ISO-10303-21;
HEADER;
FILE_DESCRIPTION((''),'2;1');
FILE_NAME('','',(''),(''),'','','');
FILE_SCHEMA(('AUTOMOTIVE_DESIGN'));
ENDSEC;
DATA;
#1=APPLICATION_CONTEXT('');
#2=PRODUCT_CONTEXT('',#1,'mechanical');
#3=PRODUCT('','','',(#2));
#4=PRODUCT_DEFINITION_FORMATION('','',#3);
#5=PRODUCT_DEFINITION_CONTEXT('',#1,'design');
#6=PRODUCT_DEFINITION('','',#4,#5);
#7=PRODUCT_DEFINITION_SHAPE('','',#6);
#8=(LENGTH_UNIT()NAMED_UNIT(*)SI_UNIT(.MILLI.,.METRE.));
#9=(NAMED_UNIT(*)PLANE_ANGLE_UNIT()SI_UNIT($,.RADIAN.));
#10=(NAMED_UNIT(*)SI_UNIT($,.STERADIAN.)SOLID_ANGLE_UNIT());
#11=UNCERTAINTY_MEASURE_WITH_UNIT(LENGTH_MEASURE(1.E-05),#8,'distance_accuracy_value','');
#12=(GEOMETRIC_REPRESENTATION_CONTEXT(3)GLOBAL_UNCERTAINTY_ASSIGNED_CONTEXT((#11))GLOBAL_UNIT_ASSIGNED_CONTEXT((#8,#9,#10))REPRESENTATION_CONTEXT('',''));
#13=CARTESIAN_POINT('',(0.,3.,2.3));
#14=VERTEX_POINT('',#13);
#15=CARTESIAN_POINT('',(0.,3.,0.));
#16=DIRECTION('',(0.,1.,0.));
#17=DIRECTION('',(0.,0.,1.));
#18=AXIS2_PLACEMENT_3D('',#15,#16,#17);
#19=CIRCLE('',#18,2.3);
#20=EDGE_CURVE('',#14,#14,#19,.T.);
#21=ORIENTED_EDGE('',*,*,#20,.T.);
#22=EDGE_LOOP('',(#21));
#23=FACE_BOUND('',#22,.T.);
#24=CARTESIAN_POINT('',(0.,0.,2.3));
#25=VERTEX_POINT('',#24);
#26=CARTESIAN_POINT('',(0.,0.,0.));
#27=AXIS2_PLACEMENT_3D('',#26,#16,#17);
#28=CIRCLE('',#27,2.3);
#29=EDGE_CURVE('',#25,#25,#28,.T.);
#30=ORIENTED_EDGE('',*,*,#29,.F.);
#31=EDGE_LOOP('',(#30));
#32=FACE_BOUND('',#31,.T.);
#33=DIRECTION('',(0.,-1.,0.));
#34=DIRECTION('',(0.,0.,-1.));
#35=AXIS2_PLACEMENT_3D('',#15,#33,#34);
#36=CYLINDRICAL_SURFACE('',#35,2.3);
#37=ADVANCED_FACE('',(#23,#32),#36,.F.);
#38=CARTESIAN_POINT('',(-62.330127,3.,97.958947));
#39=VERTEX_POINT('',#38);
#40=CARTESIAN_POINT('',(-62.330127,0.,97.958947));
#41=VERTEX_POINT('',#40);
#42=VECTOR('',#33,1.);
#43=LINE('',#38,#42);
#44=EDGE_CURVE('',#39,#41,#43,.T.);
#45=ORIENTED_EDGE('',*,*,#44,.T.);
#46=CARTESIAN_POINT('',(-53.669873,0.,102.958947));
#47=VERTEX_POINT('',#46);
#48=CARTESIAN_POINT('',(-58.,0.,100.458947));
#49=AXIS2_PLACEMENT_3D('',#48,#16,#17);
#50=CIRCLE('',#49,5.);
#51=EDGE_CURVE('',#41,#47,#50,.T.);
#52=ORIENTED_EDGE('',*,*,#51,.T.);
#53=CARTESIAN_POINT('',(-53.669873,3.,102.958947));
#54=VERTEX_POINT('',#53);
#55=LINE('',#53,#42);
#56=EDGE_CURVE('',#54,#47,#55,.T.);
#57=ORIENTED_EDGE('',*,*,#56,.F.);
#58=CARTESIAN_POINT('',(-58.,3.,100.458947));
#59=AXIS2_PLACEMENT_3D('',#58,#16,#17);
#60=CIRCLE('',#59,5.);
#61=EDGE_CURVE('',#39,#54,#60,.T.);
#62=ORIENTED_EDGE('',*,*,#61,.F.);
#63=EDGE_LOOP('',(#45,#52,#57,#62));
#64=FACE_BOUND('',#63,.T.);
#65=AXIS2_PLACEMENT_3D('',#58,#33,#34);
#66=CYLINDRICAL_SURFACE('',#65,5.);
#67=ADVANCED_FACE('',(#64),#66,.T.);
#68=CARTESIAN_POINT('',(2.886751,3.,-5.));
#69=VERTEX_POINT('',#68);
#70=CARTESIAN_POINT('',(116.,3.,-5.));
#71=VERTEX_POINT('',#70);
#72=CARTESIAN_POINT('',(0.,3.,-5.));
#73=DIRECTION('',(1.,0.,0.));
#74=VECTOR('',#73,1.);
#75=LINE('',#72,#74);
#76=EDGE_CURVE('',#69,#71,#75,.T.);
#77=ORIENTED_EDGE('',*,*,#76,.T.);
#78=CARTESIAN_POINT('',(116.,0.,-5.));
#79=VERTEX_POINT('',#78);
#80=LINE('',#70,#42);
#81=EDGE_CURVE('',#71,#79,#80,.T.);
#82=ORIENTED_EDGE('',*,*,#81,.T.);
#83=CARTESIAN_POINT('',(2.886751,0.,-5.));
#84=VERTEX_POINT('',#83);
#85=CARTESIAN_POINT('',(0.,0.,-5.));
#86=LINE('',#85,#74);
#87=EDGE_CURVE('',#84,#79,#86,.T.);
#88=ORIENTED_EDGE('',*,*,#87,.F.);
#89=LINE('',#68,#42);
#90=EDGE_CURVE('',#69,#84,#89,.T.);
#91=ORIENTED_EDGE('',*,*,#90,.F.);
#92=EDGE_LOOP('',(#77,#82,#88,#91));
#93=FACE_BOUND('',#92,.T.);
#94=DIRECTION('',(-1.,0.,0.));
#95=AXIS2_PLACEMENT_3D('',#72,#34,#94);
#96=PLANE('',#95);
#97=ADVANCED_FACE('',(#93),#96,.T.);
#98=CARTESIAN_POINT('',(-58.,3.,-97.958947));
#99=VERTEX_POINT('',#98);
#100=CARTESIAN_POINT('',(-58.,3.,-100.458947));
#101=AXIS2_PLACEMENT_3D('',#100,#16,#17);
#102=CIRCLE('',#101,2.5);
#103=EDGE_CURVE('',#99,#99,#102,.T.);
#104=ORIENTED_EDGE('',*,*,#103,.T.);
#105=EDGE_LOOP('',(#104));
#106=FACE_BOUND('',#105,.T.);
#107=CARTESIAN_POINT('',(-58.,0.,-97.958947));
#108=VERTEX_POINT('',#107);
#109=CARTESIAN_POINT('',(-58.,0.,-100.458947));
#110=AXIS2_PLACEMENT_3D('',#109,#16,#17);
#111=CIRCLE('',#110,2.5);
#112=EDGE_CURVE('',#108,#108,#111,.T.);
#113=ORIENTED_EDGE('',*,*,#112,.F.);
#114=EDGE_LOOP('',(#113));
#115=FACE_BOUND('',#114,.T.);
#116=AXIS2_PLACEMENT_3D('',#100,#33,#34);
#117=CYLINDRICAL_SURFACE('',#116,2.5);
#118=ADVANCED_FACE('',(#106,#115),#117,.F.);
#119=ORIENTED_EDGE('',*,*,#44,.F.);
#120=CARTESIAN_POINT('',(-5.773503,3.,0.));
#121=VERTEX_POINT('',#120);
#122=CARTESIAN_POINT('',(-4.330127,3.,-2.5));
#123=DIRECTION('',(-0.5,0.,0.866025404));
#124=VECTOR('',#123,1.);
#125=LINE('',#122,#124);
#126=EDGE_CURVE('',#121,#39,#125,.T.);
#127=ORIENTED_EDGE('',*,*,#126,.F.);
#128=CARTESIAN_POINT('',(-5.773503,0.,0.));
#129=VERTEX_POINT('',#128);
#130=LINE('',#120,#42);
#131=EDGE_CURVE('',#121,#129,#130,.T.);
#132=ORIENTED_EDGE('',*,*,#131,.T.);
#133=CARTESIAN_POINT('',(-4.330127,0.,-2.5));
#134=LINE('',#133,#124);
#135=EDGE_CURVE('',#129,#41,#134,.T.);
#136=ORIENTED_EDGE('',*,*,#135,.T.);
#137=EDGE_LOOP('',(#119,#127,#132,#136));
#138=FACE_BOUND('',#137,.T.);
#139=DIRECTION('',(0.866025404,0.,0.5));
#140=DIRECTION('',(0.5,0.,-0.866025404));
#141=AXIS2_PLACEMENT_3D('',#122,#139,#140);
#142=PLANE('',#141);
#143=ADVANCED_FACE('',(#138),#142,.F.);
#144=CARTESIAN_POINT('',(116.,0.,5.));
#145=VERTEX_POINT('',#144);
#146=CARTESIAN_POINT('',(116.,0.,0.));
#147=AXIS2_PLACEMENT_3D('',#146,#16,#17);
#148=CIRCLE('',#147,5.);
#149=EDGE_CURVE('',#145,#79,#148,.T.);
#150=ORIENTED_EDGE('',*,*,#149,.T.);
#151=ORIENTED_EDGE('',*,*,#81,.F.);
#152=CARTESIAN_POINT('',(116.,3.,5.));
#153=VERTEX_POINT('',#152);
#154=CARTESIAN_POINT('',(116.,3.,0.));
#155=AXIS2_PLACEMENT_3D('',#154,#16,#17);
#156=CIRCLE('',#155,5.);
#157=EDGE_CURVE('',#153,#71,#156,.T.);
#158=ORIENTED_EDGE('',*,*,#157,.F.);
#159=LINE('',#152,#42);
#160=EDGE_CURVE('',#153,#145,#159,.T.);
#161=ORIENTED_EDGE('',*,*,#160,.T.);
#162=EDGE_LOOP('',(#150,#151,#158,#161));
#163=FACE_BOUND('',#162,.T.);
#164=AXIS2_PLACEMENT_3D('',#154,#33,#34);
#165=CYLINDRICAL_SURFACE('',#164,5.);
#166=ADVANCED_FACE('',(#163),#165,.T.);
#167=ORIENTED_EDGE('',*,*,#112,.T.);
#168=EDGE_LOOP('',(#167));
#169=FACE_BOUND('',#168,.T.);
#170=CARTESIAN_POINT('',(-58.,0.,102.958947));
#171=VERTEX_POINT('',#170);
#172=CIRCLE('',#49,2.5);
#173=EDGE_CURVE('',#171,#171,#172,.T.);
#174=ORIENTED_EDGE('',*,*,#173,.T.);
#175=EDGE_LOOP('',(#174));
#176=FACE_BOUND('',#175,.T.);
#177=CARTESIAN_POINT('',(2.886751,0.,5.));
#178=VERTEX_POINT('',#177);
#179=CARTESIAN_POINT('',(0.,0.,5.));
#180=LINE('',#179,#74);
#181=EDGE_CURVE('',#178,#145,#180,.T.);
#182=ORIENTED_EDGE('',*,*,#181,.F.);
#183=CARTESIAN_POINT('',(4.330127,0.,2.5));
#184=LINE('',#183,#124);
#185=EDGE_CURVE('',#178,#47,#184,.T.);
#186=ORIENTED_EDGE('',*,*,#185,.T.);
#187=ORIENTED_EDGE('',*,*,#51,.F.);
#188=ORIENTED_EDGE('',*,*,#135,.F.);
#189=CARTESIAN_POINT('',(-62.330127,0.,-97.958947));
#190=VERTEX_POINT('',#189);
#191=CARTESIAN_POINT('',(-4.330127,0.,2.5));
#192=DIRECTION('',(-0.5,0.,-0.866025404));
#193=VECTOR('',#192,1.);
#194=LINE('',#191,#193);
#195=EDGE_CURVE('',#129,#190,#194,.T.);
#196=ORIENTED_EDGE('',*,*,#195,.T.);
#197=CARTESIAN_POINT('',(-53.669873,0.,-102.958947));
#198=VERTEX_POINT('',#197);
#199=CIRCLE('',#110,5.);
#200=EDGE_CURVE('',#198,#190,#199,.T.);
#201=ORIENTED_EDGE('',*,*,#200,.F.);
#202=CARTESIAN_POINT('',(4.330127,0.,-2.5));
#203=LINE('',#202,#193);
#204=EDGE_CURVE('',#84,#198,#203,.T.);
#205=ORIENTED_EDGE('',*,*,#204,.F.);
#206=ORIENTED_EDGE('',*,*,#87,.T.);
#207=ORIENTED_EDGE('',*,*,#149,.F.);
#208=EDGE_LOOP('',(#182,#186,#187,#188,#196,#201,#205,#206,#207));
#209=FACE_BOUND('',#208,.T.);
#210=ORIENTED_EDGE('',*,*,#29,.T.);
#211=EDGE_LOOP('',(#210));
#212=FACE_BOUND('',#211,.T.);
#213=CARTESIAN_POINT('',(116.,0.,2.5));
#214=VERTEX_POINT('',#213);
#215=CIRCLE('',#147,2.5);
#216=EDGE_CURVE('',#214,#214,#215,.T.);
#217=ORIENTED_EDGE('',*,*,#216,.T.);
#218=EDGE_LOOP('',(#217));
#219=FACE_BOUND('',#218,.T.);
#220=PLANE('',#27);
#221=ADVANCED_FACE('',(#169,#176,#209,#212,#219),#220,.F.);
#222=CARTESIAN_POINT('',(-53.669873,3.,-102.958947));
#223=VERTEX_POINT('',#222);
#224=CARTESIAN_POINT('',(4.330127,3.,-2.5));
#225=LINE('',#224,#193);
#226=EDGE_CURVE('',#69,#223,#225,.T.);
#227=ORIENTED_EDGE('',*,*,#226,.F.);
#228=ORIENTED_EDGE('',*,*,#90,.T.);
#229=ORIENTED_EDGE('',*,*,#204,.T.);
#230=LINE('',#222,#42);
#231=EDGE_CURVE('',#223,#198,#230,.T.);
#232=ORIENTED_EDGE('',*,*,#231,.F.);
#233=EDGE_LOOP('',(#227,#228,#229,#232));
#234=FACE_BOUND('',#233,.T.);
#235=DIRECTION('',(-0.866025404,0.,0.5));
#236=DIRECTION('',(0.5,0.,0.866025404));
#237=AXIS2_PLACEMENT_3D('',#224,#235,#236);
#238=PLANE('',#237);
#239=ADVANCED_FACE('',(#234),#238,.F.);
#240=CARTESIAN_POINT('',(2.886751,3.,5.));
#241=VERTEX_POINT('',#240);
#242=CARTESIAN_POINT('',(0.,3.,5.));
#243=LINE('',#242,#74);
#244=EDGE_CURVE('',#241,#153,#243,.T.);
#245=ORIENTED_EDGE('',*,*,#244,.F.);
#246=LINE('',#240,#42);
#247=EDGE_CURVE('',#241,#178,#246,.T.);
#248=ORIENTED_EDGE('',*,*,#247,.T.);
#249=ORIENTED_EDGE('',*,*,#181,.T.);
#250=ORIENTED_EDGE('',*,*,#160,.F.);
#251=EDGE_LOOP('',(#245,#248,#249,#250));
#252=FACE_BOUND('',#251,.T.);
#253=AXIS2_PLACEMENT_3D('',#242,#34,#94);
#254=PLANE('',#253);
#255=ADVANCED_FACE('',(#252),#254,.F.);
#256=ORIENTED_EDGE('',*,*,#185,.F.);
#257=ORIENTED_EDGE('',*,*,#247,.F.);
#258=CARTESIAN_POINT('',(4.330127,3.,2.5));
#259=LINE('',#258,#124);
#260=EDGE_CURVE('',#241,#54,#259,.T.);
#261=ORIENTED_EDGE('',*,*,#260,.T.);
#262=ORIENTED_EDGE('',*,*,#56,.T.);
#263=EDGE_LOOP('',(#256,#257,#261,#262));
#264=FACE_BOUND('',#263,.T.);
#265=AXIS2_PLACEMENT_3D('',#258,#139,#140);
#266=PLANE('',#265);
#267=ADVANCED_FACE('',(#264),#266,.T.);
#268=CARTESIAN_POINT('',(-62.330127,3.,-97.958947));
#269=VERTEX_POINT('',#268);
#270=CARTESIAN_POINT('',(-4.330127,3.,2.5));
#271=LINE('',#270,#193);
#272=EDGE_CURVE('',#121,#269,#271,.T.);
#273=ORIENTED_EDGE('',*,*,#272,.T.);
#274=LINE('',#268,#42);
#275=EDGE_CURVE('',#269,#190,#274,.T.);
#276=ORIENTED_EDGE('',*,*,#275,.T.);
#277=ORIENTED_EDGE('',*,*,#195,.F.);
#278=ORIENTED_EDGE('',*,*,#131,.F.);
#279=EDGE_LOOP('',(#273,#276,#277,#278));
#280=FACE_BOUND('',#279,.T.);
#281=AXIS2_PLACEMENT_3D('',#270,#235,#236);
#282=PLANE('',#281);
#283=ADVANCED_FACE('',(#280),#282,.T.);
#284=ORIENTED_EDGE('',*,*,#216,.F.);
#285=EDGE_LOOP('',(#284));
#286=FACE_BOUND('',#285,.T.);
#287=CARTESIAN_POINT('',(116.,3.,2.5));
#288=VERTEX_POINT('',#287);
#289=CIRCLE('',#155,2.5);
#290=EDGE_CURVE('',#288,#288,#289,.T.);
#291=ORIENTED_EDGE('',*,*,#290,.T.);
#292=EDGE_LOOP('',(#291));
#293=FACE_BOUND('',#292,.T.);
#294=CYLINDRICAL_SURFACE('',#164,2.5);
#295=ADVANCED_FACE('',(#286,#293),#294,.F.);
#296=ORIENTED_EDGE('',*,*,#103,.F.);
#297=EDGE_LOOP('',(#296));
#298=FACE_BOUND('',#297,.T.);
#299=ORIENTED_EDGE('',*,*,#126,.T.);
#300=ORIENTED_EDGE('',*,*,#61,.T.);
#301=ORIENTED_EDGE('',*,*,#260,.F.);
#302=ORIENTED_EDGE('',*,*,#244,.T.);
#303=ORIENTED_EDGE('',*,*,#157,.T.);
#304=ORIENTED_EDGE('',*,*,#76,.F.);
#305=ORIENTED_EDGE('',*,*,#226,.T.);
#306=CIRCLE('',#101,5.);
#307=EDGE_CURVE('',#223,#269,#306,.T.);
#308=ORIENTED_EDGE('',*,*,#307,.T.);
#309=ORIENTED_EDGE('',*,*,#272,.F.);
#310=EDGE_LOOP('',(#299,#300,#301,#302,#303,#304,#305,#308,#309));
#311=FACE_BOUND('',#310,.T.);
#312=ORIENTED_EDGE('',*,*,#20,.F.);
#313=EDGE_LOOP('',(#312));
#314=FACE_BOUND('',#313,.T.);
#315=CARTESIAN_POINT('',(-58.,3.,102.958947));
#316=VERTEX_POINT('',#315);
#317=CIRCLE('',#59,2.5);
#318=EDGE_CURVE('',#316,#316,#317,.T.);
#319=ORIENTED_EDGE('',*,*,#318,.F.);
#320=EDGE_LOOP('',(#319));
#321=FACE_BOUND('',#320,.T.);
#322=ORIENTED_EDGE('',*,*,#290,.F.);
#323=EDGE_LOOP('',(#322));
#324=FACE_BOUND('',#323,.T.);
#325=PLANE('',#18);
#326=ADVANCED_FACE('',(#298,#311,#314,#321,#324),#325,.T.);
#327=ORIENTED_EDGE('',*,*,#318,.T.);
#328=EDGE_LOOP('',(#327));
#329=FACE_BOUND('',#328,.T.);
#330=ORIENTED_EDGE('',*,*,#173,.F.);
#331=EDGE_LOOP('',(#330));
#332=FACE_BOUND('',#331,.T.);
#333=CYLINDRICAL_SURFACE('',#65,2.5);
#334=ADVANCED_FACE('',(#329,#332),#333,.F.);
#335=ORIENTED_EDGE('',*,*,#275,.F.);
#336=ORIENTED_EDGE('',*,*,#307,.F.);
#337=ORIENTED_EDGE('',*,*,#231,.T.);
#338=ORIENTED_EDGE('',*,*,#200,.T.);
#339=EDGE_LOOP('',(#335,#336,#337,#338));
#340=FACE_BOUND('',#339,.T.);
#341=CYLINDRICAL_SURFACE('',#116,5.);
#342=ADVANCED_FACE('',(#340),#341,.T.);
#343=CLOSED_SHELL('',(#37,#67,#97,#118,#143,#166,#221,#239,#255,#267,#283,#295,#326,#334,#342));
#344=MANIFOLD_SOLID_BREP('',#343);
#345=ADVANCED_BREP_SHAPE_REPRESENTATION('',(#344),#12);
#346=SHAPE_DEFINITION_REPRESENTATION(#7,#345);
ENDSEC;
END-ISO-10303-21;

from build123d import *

# Parameters (mm, degrees)
SKETCH8_R           = 2.5
SKETCH8_R_2         = 2.3
BOSS_EXTRUDE5_DEPTH = 3


with BuildPart() as part:
    # Sketch8 → Boss-Extrude5 (new body)
    # profile 1 of 7: a face of its own
    with BuildSketch(Plane(origin=(0, 0, 0), x_dir=(1, 0, 0), z_dir=(0, 1, 0))):
        with BuildLine():
            ThreePointArc((-4.330127019, 2.5), (-2.5, 4.330127019), (0, 5))
            Line((0, 5), (2.886751346, 5))
            Line((2.886751346, 5), (-53.669872981, 102.958946839))
            ThreePointArc((-53.669872981, 102.958946839), (-60.5, 104.789073858), (-62.330127019, 97.958946839))
            Line((-62.330127019, 97.958946839), (-5.773502692, 0))
            Line((-5.773502692, 0), (-4.330127019, 2.5))
        make_face()
        with Locations(Location((-58, 100.458946839, 0), (0, 0, 270))):
            Circle(SKETCH8_R, mode=Mode.SUBTRACT)
    # profile 2 of 7: a face of its own
    with BuildSketch(Plane(origin=(0, 0, 0), x_dir=(1, 0, 0), z_dir=(0, 1, 0))):
        with BuildLine():
            Line((116, 5), (2.886751346, 5))
            Line((2.886751346, 5), (4.330127019, 2.5))
            ThreePointArc((4.330127019, 2.5), (5, 0), (4.330127019, -2.5))
            Line((4.330127019, -2.5), (2.886751346, -5))
            Line((2.886751346, -5), (116, -5))
            ThreePointArc((116, -5), (121, 0), (116, 5))
        make_face()
        with Locations(Location((116, 0, 0), (0, 0, 270))):
            Circle(SKETCH8_R, mode=Mode.SUBTRACT)
    # profile 3 of 7: a face of its own
    with BuildSketch(Plane(origin=(0, 0, 0), x_dir=(1, 0, 0), z_dir=(0, 1, 0))):
        with BuildLine():
            Line((-4.330127019, -2.5), (-5.773502692, 0))
            Line((-5.773502692, 0), (-62.330127019, -97.958946839))
            ThreePointArc((-62.330127019, -97.958946839), (-60.5, -104.789073858), (-53.669872981, -102.958946839))
            Line((-53.669872981, -102.958946839), (2.886751346, -5))
            Line((2.886751346, -5), (0, -5))
            ThreePointArc((0, -5), (-2.5, -4.330127019), (-4.330127019, -2.5))
        make_face()
        with Locations(Location((-58, -100.458946839, 0), (0, 0, 270))):
            Circle(SKETCH8_R, mode=Mode.SUBTRACT)
    # profile 4 of 7: a face of its own
    with BuildSketch(Plane(origin=(0, 0, 0), x_dir=(1, 0, 0), z_dir=(0, 1, 0))):
        with BuildLine():
            ThreePointArc((4.330127019, 2.5), (2.5, 4.330127019), (0, 5))
            ThreePointArc((0, 5), (-2.5, 4.330127019), (-4.330127019, 2.5))
            ThreePointArc((-4.330127019, 2.5), (-5, 0), (-4.330127019, -2.5))
            ThreePointArc((-4.330127019, -2.5), (-2.5, -4.330127019), (0, -5))
            ThreePointArc((0, -5), (2.5, -4.330127019), (4.330127019, -2.5))
            ThreePointArc((4.330127019, -2.5), (5, 0), (4.330127019, 2.5))
        make_face()
        with Locations(Location((0, 0, 0), (0, 0, 270))):
            Circle(SKETCH8_R_2, mode=Mode.SUBTRACT)
    # profile 5 of 7: a face of its own
    with BuildSketch(Plane(origin=(0, 0, 0), x_dir=(1, 0, 0), z_dir=(0, 1, 0))):
        with BuildLine():
            Line((2.886751346, 5), (0, 5))
            ThreePointArc((0, 5), (2.5, 4.330127019), (4.330127019, 2.5))
            Line((4.330127019, 2.5), (2.886751346, 5))
        make_face()
    # profile 6 of 7: a face of its own
    with BuildSketch(Plane(origin=(0, 0, 0), x_dir=(1, 0, 0), z_dir=(0, 1, 0))):
        with BuildLine():
            ThreePointArc((-4.330127019, -2.5), (-5, 0), (-4.330127019, 2.5))
            Line((-4.330127019, 2.5), (-5.773502692, 0))
            Line((-5.773502692, 0), (-4.330127019, -2.5))
        make_face()
    # profile 7 of 7: a face of its own
    with BuildSketch(Plane(origin=(0, 0, 0), x_dir=(1, 0, 0), z_dir=(0, 1, 0))):
        with BuildLine():
            Line((2.886751346, -5), (4.330127019, -2.5))
            ThreePointArc((4.330127019, -2.5), (2.5, -4.330127019), (0, -5))
            Line((0, -5), (2.886751346, -5))
        make_face()
    extrude(amount=BOSS_EXTRUDE5_DEPTH)


solid = part.part
